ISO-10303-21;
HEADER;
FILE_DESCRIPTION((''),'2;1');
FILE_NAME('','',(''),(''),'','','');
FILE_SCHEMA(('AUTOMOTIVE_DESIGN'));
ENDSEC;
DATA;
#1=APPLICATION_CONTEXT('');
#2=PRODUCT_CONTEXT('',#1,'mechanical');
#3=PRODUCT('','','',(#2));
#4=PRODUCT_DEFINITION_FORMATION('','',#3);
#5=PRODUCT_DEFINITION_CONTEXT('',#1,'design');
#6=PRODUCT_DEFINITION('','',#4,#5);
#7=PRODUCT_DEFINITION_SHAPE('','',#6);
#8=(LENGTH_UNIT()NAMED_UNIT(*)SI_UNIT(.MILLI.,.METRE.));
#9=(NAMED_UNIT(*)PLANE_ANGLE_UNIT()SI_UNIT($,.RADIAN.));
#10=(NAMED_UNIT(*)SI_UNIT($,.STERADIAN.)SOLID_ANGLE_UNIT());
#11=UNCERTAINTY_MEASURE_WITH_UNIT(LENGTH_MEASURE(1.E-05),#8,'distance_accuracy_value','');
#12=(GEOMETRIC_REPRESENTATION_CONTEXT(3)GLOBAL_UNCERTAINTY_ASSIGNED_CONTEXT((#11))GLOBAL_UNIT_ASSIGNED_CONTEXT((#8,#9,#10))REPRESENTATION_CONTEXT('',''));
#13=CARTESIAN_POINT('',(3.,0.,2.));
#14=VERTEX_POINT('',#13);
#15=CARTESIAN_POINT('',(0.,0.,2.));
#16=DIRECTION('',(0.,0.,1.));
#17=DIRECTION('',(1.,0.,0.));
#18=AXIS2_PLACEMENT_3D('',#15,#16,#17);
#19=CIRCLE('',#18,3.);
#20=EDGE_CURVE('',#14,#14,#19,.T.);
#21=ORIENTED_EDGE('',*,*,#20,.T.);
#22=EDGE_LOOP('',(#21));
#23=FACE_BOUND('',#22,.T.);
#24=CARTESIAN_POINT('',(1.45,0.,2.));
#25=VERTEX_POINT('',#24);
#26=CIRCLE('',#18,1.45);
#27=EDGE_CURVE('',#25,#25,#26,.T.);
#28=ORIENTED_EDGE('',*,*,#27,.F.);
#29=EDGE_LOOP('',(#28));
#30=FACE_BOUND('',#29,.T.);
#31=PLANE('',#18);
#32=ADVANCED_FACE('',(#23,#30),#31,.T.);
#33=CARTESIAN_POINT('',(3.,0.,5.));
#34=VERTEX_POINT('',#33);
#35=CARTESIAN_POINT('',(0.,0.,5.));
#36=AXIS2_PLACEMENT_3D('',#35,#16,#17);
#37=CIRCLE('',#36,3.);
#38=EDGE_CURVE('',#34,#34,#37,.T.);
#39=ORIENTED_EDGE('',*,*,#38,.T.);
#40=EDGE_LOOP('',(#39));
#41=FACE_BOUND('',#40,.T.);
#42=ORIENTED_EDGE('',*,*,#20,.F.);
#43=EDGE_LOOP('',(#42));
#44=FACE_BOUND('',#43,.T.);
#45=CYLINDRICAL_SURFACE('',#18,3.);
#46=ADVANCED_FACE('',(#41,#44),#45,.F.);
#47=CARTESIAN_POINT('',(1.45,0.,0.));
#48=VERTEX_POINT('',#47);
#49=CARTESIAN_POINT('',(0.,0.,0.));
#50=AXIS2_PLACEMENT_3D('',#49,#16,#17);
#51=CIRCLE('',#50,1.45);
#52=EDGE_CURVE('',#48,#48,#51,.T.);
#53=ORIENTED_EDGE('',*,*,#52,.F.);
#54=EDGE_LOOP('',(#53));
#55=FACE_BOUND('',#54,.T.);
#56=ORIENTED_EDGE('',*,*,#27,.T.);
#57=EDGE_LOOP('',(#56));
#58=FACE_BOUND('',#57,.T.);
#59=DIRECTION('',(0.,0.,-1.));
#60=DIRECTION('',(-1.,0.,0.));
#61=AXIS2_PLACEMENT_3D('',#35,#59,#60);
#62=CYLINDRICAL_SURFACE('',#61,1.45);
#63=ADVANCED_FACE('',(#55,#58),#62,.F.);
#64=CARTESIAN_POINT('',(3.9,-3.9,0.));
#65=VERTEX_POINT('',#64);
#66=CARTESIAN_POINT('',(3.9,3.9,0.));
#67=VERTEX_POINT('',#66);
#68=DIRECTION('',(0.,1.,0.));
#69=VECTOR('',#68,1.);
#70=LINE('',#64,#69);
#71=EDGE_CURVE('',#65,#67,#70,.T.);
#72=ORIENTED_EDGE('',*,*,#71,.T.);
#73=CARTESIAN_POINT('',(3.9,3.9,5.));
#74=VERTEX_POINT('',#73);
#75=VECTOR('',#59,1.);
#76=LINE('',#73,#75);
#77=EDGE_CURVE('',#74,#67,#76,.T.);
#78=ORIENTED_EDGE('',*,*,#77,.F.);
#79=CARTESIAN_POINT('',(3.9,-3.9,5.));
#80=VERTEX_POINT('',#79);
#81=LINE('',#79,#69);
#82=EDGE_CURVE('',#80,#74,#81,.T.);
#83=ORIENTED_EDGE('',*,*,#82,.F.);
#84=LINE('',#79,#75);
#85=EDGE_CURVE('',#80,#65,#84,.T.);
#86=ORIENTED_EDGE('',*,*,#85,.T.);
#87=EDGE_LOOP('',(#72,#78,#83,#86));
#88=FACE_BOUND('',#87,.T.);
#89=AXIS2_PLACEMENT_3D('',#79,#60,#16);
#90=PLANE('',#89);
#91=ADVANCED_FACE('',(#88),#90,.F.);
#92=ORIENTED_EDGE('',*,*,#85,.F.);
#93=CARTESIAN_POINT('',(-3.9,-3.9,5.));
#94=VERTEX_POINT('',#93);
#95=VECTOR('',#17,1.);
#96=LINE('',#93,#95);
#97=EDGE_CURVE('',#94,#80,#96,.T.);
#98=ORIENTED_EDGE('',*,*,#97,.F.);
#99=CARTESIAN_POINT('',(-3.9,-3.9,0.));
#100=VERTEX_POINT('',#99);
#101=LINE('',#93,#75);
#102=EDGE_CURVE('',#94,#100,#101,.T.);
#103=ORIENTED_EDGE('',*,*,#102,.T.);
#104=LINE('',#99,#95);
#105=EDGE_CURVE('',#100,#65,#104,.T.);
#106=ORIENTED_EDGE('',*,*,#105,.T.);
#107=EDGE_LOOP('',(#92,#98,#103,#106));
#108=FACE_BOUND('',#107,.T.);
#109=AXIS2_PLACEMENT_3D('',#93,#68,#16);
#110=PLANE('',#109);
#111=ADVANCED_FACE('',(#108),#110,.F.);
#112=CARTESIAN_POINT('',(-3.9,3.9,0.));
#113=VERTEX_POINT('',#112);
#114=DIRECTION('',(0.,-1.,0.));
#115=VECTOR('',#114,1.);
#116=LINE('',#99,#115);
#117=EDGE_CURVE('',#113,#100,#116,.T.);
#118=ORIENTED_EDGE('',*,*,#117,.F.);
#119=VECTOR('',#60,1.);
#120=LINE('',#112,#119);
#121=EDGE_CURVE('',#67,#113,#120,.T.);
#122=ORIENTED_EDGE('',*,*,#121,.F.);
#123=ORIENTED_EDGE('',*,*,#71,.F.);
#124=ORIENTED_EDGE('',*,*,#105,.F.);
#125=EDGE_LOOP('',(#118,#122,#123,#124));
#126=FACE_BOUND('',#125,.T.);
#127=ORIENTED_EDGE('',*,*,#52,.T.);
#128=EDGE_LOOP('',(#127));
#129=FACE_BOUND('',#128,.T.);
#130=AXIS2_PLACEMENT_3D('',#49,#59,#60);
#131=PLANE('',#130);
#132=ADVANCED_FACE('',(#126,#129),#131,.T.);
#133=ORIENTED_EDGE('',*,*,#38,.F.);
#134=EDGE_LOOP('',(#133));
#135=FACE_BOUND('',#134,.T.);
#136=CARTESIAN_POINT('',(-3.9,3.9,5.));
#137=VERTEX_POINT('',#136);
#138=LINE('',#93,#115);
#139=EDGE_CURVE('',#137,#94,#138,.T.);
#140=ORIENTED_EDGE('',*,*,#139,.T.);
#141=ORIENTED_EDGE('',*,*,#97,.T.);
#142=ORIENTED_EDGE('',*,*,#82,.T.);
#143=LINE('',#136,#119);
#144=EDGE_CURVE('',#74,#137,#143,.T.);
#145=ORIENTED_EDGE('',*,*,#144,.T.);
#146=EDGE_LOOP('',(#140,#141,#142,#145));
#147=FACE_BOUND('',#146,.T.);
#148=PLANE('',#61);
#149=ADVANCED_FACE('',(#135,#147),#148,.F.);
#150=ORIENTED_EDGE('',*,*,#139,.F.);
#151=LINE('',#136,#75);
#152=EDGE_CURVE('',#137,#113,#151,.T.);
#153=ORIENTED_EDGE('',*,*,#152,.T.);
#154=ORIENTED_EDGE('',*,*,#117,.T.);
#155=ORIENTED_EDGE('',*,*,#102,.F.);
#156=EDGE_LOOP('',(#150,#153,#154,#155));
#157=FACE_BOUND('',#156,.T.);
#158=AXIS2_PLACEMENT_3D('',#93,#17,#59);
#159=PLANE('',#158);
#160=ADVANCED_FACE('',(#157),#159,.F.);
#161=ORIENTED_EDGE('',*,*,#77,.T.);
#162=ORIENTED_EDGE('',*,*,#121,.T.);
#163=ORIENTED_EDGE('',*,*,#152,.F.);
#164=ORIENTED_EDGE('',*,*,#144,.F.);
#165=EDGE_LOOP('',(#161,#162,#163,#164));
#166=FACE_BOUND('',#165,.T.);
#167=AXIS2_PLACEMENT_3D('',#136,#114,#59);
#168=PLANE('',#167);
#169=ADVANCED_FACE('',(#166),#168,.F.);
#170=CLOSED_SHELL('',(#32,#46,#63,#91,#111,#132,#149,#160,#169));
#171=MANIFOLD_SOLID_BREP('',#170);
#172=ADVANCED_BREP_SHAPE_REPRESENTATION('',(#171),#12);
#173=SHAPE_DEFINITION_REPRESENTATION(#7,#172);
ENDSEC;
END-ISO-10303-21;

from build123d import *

# Parameters (mm, degrees)
SKETCH_1_W          = 7.8
SKETCH_1_H          = 7.8
SKETCH_1_R          = 1.45
EXTRUDE_1_DEPTH     = 5
SKETCH_2_R          = 3
CUT_EXTRUDE_1_DEPTH = 3


with BuildPart() as part:
    # Эскиз1 → Бобышка-Вытянуть1 (new body)
    with BuildSketch(Plane.XY):
        Rectangle(SKETCH_1_W, SKETCH_1_H)
        Circle(SKETCH_1_R, mode=Mode.SUBTRACT)
    extrude(amount=EXTRUDE_1_DEPTH)

    # Эскиз2 → Вырез-Вытянуть1 (cut)
    with BuildSketch(Plane.XY.offset(5)):
        Circle(SKETCH_2_R)
    extrude(amount=-CUT_EXTRUDE_1_DEPTH, mode=Mode.SUBTRACT)


solid = part.part
